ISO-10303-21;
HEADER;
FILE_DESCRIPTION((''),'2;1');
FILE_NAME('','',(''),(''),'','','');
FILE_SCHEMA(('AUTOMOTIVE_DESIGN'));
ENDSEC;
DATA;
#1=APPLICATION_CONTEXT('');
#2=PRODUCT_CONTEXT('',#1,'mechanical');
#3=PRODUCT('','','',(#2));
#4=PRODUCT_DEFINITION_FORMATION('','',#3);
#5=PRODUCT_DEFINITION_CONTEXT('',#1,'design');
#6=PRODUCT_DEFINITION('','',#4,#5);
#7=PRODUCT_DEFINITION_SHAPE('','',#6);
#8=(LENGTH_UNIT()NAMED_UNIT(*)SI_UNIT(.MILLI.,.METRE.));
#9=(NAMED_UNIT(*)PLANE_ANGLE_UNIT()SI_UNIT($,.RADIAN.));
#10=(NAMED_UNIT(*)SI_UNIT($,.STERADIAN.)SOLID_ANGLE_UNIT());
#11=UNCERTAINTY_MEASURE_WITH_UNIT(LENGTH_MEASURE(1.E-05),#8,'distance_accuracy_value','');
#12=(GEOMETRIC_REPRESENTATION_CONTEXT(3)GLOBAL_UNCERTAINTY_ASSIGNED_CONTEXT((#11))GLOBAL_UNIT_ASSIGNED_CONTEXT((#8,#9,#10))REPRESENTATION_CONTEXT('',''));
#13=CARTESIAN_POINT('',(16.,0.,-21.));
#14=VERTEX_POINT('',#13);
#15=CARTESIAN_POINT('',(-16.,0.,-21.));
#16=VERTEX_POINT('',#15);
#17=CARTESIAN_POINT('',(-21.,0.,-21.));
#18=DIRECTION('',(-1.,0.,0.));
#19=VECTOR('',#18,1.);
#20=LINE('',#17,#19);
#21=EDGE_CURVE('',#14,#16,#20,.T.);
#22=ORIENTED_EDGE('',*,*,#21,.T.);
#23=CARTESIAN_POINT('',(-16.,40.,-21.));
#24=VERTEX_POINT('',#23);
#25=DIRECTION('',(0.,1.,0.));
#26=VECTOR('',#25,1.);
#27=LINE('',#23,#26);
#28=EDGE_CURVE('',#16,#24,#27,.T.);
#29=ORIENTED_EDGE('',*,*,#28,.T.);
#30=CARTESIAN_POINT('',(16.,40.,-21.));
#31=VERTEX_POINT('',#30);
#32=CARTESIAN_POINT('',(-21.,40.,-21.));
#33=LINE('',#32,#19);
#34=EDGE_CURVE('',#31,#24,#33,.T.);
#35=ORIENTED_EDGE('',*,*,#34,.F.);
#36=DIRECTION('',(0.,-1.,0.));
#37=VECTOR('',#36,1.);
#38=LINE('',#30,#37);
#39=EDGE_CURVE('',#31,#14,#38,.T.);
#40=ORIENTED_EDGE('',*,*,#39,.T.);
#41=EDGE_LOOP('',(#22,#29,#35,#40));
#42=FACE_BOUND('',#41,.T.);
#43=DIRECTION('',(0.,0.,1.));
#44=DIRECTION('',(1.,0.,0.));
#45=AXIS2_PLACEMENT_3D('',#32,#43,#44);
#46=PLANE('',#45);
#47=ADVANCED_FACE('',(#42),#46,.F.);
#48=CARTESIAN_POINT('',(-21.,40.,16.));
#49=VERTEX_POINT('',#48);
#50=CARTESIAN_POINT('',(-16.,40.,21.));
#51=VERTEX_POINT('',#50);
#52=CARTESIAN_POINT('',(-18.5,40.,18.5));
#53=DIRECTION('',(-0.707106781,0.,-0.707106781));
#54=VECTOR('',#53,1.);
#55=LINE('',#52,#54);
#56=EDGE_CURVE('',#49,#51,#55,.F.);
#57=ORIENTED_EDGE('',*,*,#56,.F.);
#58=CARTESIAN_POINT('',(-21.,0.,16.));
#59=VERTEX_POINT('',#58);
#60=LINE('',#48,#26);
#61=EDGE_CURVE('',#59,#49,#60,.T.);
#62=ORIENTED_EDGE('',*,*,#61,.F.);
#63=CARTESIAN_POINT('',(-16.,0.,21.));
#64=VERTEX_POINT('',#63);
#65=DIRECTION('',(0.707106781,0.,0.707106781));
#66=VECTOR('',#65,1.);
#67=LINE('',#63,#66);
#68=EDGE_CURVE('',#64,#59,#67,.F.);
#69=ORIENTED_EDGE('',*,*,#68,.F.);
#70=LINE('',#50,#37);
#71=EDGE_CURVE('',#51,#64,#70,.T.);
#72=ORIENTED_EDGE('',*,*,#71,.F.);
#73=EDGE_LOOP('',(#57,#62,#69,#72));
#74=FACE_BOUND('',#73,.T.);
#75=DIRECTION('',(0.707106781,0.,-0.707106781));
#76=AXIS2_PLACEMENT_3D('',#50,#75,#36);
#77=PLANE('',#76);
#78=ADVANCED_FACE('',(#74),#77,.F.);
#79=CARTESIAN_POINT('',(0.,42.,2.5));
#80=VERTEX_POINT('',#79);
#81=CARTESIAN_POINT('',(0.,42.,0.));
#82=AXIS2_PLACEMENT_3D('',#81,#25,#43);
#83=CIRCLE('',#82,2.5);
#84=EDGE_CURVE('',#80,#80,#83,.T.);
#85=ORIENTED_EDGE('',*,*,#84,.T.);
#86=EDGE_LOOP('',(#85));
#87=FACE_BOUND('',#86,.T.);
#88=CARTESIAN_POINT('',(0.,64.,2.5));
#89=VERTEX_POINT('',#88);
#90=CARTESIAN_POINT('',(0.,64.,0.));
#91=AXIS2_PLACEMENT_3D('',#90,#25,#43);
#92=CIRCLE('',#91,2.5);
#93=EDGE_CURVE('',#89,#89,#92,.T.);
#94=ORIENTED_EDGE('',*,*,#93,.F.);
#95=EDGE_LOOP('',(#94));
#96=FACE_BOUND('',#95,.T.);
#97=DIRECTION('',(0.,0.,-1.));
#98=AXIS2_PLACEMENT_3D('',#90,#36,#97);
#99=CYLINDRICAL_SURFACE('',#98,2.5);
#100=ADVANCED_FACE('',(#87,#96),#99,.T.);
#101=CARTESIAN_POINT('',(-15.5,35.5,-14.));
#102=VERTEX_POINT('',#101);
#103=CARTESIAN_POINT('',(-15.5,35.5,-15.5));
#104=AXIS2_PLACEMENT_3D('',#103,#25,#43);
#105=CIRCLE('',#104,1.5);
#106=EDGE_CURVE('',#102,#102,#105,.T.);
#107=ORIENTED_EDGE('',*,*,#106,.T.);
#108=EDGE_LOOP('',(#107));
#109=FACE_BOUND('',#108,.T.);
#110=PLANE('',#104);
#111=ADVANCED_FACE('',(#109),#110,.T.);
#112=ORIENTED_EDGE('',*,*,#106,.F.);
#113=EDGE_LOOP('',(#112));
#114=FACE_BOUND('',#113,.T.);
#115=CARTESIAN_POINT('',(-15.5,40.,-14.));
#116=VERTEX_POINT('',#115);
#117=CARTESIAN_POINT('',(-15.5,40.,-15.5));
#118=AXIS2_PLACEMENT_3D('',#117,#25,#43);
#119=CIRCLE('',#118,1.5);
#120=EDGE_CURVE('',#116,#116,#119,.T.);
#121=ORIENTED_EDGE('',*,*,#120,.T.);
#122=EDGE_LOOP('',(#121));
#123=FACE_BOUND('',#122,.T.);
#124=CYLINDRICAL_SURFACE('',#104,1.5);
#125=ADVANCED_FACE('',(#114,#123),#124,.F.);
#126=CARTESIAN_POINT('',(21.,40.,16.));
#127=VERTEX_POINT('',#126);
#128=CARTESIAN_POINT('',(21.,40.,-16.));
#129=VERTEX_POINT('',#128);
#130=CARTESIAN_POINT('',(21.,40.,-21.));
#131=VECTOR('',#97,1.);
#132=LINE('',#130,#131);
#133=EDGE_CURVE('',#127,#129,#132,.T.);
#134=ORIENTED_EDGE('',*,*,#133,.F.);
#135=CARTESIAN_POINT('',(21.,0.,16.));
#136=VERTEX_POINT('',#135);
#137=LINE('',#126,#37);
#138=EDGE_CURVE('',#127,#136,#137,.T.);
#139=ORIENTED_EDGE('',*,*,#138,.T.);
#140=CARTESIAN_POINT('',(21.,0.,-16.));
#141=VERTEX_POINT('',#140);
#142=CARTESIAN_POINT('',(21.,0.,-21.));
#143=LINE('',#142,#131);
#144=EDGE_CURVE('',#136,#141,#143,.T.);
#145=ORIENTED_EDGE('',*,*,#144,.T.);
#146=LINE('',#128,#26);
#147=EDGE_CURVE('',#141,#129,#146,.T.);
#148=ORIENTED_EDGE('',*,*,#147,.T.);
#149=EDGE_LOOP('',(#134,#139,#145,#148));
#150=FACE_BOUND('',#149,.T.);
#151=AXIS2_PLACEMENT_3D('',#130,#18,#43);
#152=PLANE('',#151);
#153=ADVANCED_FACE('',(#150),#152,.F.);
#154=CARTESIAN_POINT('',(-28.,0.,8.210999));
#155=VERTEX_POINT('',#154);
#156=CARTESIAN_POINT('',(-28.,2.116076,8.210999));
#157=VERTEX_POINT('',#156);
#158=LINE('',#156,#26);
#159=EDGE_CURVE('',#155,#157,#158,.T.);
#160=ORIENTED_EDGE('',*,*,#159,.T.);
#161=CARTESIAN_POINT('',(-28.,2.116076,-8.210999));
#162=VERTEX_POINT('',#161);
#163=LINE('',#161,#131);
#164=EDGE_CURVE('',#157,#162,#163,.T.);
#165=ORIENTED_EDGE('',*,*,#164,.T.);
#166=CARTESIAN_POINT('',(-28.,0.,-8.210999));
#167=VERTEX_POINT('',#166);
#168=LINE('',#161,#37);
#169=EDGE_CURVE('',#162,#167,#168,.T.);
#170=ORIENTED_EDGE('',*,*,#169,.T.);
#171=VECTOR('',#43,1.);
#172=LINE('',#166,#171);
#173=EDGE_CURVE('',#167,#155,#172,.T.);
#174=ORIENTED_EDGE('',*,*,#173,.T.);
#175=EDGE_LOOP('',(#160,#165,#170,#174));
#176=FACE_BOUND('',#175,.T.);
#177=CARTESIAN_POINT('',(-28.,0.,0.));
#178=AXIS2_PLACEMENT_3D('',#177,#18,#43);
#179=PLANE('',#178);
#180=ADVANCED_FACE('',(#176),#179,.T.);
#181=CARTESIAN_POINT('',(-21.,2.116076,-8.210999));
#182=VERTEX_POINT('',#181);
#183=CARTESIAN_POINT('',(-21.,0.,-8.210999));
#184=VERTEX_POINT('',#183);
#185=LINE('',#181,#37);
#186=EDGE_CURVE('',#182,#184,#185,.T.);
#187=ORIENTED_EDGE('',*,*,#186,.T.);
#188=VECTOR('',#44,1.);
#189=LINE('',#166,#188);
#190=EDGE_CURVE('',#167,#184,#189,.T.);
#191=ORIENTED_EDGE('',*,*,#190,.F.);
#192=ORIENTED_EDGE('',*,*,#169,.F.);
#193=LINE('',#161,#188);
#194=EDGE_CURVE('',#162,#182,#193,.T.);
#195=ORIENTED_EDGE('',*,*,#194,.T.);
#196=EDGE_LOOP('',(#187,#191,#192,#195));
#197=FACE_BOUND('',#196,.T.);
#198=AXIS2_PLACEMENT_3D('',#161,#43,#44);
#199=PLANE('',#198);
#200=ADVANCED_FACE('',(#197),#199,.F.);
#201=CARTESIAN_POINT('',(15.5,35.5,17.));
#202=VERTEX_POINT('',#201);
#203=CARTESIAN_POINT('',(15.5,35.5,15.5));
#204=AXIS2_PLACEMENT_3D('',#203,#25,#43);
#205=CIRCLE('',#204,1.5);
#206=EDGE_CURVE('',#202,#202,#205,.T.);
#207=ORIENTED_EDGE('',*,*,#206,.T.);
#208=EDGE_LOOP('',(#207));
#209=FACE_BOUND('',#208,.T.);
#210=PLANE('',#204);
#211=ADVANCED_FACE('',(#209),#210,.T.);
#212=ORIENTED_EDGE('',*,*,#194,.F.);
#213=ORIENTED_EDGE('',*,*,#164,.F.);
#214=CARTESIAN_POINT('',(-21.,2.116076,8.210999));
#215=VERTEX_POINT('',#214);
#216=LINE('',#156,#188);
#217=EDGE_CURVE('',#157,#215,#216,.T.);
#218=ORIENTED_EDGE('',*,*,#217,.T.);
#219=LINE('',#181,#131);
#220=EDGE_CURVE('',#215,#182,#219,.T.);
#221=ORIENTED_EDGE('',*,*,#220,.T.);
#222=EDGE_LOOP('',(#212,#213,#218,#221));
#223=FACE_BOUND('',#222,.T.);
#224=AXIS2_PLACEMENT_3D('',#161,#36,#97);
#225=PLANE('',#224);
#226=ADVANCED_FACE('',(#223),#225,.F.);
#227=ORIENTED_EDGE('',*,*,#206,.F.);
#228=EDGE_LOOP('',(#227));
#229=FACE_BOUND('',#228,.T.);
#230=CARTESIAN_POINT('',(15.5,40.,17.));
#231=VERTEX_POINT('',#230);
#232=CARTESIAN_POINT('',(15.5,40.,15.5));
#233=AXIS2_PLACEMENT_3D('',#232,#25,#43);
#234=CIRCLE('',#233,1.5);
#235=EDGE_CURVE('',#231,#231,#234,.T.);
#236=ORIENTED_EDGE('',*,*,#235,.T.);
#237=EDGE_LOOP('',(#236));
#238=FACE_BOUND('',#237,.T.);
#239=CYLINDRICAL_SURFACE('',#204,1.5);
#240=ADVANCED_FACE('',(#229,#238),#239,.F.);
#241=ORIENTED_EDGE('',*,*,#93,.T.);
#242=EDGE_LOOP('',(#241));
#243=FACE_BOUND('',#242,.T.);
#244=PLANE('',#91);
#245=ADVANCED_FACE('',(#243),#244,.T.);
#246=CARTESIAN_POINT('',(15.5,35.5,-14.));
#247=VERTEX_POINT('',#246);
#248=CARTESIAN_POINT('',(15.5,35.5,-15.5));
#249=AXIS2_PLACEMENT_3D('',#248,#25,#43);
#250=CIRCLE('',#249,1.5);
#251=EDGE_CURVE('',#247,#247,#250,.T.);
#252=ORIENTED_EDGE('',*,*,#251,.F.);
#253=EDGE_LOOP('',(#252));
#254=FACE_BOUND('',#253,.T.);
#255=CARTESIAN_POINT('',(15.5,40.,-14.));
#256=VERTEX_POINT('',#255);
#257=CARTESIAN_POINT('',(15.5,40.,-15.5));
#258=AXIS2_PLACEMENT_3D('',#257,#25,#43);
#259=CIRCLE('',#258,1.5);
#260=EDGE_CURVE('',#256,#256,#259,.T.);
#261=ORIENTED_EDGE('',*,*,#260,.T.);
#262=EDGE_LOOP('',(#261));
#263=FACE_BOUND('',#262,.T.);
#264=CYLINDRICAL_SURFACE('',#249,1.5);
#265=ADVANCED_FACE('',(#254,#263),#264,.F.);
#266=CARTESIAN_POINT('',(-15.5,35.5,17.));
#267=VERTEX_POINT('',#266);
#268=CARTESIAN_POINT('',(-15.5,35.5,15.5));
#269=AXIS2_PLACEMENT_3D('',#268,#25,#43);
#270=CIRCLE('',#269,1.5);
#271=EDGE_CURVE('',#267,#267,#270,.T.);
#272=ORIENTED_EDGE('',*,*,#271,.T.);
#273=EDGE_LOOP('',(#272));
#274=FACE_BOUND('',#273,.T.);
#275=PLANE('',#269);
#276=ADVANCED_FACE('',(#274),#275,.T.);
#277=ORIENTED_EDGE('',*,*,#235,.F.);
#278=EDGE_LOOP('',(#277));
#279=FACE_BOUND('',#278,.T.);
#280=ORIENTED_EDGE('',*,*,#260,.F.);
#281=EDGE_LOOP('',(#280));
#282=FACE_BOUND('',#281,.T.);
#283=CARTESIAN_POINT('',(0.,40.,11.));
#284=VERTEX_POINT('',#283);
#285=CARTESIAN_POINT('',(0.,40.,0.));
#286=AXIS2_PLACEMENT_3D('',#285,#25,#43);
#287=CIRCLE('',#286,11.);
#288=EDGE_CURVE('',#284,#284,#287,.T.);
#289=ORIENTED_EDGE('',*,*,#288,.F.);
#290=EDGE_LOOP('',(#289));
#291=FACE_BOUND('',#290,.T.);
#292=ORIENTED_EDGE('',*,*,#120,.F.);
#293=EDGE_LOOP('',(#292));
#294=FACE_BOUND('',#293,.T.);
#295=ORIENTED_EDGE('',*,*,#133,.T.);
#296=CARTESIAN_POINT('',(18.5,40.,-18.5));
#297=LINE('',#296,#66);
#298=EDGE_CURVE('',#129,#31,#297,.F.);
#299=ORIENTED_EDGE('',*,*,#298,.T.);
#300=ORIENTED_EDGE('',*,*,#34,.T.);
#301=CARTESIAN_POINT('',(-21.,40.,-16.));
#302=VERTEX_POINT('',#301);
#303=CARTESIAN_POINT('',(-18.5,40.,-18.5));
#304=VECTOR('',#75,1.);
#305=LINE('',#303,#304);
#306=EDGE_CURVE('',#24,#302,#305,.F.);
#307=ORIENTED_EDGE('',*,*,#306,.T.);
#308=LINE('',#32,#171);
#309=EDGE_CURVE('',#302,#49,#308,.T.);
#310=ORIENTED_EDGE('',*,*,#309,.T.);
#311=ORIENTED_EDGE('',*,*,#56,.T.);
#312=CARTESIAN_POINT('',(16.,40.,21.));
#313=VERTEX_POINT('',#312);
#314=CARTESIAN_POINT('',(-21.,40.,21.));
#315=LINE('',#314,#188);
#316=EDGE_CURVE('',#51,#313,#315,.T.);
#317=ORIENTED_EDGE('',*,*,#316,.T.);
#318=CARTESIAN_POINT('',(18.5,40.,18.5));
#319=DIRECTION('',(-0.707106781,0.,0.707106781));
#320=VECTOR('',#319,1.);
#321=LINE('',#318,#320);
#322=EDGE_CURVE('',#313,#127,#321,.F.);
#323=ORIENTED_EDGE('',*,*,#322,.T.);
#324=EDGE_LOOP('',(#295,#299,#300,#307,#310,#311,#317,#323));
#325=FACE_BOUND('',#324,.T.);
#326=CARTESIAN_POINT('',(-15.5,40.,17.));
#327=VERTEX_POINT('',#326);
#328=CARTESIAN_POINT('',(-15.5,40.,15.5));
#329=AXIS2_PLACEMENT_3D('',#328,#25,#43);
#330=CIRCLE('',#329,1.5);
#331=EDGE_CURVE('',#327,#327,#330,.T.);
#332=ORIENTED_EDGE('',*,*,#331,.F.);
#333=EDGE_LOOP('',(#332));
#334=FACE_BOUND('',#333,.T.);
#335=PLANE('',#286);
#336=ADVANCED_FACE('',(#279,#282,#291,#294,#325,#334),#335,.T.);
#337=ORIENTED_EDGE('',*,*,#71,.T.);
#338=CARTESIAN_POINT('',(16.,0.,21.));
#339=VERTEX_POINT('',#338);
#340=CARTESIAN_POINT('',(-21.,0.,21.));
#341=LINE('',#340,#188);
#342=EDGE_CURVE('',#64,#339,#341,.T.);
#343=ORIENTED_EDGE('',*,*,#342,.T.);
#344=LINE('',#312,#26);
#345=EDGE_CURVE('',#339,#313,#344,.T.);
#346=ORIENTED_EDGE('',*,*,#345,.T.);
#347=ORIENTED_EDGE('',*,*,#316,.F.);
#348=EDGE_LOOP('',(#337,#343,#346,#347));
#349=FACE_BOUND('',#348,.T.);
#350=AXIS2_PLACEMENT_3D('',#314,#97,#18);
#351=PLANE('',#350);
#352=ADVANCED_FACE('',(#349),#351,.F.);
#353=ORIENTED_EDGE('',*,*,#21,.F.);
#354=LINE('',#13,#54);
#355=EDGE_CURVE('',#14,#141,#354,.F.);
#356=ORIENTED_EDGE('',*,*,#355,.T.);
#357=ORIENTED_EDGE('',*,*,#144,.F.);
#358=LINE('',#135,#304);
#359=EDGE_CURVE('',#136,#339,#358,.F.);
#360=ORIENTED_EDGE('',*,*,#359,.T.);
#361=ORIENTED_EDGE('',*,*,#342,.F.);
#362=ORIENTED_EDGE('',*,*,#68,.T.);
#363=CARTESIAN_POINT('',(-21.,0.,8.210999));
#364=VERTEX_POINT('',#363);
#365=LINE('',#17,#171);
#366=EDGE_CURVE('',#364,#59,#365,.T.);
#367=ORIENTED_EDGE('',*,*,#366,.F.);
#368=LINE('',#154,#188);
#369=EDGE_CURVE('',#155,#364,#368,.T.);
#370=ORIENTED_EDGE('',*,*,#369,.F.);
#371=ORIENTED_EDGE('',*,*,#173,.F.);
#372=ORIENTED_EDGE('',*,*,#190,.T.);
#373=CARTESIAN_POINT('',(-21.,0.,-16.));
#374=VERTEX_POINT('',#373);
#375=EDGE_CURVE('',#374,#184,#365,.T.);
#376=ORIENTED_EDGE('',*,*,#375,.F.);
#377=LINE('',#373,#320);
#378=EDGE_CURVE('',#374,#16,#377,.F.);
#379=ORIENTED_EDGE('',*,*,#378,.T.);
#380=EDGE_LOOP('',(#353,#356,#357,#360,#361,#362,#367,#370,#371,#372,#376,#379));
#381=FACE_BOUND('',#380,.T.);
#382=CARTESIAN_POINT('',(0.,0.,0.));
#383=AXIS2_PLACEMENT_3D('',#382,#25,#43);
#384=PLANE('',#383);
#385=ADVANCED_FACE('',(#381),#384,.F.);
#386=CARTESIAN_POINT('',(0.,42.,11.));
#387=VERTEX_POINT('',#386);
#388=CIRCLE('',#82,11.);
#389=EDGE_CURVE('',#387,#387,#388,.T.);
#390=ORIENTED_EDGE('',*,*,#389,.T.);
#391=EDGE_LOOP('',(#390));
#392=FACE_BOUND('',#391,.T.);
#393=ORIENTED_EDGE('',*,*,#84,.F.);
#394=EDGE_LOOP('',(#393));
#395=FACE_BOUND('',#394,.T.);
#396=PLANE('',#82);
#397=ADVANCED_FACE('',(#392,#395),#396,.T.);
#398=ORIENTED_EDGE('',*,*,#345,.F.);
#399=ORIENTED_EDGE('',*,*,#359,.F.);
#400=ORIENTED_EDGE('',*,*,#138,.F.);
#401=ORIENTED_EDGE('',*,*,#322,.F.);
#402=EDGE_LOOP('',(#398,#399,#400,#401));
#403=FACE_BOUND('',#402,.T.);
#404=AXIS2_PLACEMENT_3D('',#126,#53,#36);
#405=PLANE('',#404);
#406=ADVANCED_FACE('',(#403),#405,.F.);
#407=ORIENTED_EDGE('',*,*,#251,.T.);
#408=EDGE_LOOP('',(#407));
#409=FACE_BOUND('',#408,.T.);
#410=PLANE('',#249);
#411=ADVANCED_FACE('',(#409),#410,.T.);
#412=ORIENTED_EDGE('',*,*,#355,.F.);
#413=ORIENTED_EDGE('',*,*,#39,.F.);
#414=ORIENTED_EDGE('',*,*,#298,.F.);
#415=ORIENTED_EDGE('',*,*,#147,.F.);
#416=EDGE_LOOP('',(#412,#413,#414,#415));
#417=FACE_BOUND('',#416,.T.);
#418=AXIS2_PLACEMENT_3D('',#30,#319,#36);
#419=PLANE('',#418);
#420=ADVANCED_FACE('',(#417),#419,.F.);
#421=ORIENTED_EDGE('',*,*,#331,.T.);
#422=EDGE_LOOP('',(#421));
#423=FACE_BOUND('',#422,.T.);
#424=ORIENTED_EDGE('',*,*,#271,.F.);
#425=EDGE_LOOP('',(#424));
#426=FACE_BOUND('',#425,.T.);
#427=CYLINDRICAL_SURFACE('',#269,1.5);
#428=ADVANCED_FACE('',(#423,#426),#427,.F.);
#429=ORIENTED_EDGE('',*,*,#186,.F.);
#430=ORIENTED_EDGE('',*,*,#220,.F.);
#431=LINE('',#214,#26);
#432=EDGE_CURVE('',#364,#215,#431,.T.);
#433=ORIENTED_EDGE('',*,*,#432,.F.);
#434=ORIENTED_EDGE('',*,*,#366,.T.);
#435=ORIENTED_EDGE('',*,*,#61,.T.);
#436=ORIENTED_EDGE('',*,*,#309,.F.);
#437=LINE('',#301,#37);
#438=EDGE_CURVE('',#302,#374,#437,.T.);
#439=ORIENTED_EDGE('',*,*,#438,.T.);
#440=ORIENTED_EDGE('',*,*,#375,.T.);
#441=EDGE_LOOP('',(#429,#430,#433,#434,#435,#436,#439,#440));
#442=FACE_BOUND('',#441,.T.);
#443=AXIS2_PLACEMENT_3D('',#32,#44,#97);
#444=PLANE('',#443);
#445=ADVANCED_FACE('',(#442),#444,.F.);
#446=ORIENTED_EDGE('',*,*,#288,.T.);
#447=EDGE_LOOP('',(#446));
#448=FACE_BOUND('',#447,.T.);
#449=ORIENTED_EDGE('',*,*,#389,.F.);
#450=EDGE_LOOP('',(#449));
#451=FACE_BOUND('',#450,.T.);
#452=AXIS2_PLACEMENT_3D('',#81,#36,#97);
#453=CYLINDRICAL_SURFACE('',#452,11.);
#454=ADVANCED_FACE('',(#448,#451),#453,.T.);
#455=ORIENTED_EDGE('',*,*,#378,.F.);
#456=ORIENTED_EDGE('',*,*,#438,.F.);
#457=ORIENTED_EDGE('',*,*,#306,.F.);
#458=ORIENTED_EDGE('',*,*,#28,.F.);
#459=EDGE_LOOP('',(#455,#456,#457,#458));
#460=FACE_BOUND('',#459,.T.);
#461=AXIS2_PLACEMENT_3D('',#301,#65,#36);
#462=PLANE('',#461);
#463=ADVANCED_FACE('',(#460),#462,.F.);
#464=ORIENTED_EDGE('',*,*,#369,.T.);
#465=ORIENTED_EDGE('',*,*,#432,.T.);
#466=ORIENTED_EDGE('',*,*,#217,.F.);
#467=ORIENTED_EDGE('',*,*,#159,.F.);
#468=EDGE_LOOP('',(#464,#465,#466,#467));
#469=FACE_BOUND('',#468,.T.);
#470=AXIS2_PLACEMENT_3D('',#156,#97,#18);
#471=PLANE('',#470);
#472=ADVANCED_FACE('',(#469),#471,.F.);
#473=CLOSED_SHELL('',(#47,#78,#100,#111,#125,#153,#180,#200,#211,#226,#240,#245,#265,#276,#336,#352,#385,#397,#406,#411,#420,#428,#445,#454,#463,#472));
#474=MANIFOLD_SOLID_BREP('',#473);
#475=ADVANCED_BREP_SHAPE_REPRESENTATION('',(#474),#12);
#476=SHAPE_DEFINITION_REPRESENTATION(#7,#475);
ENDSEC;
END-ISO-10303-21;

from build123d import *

# Parameters (mm, degrees)
SKETCH_1_W          = 42
SKETCH_1_H          = 42
EXTRUDE_1_DEPTH     = 40
SKETCH_2_R          = 11
EXTRUDE_2_DEPTH     = 2
SKETCH_3_R          = 2.5
EXTRUDE_3_DEPTH     = 22
SKETCH_4_R          = 1.5
CUT_EXTRUDE_1_DEPTH = 4.5
CHAMFER_1_SIZE      = 5
SKETCH_5_W          = 16.42199876
SKETCH_5_H          = 2.116075979
EXTRUDE_4_DEPTH     = 7


with BuildPart() as part:
    # 草图1 → 凸台-拉伸1 (new body)
    with BuildSketch(Plane(origin=(0, 0, 0), x_dir=(1, 0, 0), z_dir=(0, 1, 0))):
        Rectangle(SKETCH_1_W, SKETCH_1_H)
    extrude(amount=EXTRUDE_1_DEPTH)

    # 草图2 → 凸台-拉伸2 (add)
    with BuildSketch(Plane(origin=(0, 40, 0), x_dir=(1, 0, 0), z_dir=(0, 1, 0))):
        with Locations(Location((0, 0, 0), (0, 0, 270))):
            Circle(SKETCH_2_R)
    extrude(amount=EXTRUDE_2_DEPTH)

    # 草图3 → 凸台-拉伸3 (add)
    with BuildSketch(Plane(origin=(0, 42, 0), x_dir=(1, 0, 0), z_dir=(0, 1, 0))):
        with Locations(Location((0, 0, 0), (0, 0, 270))):
            Circle(SKETCH_3_R)
    extrude(amount=EXTRUDE_3_DEPTH)

    # 草图4 → 切除-拉伸1 (cut)
    with BuildSketch(Plane(origin=(0, 40, 0), x_dir=(1, 0, 0), z_dir=(0, 1, 0))):
        with Locations(Location((-15.5, 15.5, 0), (0, 0, 270))):
            Circle(SKETCH_4_R)
        with Locations(Location((15.5, 15.5, 0), (0, 0, 270))):
            Circle(SKETCH_4_R)
        with Locations(Location((15.5, -15.5, 0), (0, 0, 270))):
            Circle(SKETCH_4_R)
        with Locations(Location((-15.5, -15.5, 0), (0, 0, 270))):
            Circle(SKETCH_4_R)
    extrude(amount=-CUT_EXTRUDE_1_DEPTH, mode=Mode.SUBTRACT)

    # 倒角1
    chamfer_1_edges = [part.edges().sort_by_distance(p)[0] for p in [
        (21, 20, 21),
        (-21, 20, 21),
        (-21, 20, -21),
        (21, 20, -21),
    ]]
    chamfer(chamfer_1_edges, length=CHAMFER_1_SIZE)

    # 草图5 → 凸台-拉伸4 (add)
    with BuildSketch(Plane.ZY.offset(21)):
        with Locations((0, 1.05803799)):
            Rectangle(SKETCH_5_W, SKETCH_5_H)
    extrude(amount=EXTRUDE_4_DEPTH)


solid = part.part
